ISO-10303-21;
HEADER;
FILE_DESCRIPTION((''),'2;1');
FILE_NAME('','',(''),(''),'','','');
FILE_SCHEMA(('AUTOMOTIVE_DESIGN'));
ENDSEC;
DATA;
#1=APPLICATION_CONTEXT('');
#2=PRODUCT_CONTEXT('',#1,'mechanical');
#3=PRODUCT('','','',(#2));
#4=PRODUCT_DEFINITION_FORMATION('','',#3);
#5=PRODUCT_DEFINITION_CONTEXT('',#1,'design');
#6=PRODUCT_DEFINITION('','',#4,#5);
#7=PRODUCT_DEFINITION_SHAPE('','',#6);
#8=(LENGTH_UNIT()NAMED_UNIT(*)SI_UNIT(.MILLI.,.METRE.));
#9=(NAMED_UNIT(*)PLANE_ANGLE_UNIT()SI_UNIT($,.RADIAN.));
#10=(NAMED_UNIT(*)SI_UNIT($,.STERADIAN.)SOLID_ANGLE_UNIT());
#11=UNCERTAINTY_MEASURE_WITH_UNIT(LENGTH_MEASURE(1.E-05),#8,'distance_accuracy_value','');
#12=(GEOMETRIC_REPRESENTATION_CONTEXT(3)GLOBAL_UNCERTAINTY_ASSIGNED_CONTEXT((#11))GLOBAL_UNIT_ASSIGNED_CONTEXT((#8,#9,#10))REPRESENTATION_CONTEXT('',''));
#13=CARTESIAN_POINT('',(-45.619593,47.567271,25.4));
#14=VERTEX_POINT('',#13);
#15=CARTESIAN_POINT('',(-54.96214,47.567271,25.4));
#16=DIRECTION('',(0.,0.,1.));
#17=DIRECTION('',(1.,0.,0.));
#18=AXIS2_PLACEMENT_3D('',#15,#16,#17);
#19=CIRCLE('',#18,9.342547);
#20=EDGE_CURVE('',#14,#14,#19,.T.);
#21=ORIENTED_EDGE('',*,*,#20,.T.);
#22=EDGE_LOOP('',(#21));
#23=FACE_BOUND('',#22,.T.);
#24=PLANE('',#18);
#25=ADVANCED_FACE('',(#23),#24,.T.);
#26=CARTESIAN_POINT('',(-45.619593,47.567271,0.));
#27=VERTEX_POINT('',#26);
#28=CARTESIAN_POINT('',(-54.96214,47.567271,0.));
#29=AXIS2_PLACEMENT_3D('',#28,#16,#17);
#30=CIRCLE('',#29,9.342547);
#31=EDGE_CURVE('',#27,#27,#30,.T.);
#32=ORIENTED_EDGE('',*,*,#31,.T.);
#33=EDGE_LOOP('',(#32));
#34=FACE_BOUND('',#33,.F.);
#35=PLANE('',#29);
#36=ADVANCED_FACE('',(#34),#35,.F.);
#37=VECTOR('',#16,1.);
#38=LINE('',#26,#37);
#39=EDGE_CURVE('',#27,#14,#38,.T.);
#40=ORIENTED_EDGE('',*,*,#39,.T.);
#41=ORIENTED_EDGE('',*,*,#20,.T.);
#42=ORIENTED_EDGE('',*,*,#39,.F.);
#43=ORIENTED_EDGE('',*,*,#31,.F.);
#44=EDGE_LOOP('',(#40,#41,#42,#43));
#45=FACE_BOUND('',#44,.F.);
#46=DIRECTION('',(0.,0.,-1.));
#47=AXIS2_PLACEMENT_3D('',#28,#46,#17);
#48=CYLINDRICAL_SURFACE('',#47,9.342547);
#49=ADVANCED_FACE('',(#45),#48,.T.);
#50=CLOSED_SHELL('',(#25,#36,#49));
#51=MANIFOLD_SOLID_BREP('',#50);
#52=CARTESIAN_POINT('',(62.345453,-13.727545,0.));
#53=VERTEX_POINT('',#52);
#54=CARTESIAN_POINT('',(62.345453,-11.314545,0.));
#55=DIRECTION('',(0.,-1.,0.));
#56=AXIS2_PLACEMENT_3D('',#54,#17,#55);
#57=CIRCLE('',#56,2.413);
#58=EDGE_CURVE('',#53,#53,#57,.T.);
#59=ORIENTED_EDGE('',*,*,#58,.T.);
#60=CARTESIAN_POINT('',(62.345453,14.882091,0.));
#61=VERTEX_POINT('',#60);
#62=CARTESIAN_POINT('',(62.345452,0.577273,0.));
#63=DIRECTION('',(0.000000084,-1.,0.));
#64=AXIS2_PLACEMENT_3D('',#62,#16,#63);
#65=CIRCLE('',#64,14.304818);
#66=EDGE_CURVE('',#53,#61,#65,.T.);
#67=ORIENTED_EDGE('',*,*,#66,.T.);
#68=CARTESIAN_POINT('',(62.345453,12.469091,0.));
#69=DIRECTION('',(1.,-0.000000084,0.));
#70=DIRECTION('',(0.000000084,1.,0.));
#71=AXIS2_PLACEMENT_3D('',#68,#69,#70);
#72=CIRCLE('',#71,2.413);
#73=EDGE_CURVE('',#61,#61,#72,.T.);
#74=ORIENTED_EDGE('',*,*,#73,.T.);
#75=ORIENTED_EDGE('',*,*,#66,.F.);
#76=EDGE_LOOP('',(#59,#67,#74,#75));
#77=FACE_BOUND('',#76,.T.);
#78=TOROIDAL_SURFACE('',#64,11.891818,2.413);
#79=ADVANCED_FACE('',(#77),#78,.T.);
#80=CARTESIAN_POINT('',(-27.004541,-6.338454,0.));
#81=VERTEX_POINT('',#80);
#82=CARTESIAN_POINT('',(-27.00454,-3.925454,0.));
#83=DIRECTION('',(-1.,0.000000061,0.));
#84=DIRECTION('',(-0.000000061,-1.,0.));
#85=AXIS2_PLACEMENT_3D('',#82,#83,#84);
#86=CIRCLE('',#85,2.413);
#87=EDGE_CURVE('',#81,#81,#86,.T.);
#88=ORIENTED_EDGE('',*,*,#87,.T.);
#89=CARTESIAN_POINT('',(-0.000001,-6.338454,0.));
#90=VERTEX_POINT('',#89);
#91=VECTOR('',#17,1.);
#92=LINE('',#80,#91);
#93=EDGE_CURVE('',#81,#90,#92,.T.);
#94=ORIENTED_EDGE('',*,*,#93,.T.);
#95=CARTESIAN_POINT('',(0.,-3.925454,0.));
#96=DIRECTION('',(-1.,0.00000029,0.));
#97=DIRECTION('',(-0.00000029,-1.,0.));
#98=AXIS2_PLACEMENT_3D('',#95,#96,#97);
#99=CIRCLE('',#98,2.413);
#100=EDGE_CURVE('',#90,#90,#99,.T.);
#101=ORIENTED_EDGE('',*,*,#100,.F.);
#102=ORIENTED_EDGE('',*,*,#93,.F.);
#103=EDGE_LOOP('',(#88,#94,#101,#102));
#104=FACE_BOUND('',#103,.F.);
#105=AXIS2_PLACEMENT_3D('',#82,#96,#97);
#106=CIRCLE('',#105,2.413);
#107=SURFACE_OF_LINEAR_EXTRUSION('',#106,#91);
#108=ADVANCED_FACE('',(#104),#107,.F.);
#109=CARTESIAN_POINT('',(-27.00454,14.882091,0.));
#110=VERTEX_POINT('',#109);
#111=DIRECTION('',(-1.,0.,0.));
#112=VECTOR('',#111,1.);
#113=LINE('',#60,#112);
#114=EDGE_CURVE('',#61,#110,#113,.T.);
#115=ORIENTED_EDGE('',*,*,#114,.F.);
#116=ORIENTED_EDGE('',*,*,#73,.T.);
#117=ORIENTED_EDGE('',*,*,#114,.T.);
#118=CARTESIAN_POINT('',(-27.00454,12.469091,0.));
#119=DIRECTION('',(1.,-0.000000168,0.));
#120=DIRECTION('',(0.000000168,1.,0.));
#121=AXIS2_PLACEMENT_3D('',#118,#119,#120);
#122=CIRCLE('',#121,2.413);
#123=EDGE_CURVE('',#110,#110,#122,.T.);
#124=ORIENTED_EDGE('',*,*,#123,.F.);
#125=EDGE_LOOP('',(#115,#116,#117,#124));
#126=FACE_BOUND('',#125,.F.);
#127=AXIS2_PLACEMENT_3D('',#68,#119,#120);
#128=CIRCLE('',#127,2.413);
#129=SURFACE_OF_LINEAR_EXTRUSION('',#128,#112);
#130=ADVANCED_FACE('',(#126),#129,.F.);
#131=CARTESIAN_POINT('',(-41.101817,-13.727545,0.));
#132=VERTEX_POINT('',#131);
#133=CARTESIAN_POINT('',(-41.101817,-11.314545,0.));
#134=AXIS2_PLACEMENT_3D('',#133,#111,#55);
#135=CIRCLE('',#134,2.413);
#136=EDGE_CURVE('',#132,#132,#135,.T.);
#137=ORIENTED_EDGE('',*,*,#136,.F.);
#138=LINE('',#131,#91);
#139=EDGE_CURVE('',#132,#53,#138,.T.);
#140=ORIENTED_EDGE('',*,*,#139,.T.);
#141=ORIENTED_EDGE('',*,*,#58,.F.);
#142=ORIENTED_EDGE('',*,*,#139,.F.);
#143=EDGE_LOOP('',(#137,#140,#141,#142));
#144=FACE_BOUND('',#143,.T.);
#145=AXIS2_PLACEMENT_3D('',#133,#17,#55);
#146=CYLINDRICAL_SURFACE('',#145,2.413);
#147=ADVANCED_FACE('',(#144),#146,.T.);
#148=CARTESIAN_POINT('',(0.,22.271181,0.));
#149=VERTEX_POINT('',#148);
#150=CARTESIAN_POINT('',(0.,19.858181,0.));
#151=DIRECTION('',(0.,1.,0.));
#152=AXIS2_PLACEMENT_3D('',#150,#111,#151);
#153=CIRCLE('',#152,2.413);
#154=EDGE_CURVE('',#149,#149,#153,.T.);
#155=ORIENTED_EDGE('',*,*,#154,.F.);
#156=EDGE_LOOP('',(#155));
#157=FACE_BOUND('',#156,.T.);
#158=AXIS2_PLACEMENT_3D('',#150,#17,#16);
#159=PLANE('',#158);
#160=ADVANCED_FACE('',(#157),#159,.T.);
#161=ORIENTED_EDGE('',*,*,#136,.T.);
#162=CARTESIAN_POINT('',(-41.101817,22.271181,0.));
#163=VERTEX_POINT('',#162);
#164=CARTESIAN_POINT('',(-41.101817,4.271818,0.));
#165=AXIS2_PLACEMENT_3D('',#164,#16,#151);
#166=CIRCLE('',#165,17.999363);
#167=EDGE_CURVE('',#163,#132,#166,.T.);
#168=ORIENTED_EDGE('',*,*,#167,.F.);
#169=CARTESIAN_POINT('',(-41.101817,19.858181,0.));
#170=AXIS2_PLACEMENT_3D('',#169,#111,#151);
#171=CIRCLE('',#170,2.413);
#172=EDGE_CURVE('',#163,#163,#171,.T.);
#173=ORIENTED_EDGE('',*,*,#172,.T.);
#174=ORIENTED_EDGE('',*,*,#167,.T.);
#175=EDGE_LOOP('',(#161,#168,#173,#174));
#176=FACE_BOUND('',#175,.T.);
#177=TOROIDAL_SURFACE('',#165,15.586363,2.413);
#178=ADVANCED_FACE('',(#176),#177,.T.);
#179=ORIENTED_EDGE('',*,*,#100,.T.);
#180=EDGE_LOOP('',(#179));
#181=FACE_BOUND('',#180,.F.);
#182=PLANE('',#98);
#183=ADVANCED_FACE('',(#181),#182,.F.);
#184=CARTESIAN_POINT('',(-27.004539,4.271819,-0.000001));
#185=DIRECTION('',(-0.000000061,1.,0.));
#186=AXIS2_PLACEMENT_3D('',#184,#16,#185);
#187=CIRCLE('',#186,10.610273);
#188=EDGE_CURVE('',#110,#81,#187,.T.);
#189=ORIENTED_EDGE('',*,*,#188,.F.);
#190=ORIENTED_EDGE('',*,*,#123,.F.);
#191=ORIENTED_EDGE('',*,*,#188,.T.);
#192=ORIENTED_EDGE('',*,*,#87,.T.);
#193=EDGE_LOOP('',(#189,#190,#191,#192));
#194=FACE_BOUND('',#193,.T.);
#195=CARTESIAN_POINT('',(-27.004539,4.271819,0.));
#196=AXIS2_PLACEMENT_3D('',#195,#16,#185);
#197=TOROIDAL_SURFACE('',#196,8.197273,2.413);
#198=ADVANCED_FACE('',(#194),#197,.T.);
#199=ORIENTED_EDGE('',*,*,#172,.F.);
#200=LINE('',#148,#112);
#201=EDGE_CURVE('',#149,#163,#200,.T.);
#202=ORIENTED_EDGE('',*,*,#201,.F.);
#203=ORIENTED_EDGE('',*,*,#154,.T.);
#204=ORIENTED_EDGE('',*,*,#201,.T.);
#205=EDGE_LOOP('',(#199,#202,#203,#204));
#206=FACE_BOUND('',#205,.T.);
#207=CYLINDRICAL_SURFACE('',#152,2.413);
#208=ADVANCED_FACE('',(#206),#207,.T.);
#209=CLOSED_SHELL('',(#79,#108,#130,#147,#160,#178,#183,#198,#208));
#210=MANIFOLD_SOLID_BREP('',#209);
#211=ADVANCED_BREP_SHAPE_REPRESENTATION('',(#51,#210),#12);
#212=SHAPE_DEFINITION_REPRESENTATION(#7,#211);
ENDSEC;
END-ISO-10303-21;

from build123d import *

# Parameters (mm, degrees)
F1_R     = 2.413
F3_R     = 9.342547
F4_DEPTH = 25.4


with BuildPart() as f2:
    # F2: sweep along a path in F0
    with BuildLine(Plane.XY) as f2_path:
        Line((0, 19.858181), (-41.101817, 19.858181))
        ThreePointArc((-41.101817, 19.858181), (-56.68818, 4.271818), (-41.101817, -11.314545))
        Line((-41.101817, -11.314545), (62.345453, -11.314545))
        ThreePointArc((62.345453, -11.314545), (74.23727, 0.577273), (62.345453, 12.469091))
        Line((62.345453, 12.469091), (-27.00454, 12.469091))
        ThreePointArc((-27.00454, 12.469091), (-35.201812, 4.271818), (-27.00454, -3.925454))
        Line((-27.00454, -3.925454), (0, -3.925454))
    # F1 (on Right) → F2 (sweep)
    with BuildSketch(Plane.YZ):
        with Locations((19.858181, 0)):
            Circle(F1_R)
    sweep(path=f2_path.line)


with BuildPart() as f4:
    # F3 (on Top) → F4 (new body)
    with BuildSketch(Plane.XY):
        with Locations((-54.96214, 47.567271)):
            Circle(F3_R)
    extrude(amount=F4_DEPTH)


solid = Compound([f2.part, f4.part])
